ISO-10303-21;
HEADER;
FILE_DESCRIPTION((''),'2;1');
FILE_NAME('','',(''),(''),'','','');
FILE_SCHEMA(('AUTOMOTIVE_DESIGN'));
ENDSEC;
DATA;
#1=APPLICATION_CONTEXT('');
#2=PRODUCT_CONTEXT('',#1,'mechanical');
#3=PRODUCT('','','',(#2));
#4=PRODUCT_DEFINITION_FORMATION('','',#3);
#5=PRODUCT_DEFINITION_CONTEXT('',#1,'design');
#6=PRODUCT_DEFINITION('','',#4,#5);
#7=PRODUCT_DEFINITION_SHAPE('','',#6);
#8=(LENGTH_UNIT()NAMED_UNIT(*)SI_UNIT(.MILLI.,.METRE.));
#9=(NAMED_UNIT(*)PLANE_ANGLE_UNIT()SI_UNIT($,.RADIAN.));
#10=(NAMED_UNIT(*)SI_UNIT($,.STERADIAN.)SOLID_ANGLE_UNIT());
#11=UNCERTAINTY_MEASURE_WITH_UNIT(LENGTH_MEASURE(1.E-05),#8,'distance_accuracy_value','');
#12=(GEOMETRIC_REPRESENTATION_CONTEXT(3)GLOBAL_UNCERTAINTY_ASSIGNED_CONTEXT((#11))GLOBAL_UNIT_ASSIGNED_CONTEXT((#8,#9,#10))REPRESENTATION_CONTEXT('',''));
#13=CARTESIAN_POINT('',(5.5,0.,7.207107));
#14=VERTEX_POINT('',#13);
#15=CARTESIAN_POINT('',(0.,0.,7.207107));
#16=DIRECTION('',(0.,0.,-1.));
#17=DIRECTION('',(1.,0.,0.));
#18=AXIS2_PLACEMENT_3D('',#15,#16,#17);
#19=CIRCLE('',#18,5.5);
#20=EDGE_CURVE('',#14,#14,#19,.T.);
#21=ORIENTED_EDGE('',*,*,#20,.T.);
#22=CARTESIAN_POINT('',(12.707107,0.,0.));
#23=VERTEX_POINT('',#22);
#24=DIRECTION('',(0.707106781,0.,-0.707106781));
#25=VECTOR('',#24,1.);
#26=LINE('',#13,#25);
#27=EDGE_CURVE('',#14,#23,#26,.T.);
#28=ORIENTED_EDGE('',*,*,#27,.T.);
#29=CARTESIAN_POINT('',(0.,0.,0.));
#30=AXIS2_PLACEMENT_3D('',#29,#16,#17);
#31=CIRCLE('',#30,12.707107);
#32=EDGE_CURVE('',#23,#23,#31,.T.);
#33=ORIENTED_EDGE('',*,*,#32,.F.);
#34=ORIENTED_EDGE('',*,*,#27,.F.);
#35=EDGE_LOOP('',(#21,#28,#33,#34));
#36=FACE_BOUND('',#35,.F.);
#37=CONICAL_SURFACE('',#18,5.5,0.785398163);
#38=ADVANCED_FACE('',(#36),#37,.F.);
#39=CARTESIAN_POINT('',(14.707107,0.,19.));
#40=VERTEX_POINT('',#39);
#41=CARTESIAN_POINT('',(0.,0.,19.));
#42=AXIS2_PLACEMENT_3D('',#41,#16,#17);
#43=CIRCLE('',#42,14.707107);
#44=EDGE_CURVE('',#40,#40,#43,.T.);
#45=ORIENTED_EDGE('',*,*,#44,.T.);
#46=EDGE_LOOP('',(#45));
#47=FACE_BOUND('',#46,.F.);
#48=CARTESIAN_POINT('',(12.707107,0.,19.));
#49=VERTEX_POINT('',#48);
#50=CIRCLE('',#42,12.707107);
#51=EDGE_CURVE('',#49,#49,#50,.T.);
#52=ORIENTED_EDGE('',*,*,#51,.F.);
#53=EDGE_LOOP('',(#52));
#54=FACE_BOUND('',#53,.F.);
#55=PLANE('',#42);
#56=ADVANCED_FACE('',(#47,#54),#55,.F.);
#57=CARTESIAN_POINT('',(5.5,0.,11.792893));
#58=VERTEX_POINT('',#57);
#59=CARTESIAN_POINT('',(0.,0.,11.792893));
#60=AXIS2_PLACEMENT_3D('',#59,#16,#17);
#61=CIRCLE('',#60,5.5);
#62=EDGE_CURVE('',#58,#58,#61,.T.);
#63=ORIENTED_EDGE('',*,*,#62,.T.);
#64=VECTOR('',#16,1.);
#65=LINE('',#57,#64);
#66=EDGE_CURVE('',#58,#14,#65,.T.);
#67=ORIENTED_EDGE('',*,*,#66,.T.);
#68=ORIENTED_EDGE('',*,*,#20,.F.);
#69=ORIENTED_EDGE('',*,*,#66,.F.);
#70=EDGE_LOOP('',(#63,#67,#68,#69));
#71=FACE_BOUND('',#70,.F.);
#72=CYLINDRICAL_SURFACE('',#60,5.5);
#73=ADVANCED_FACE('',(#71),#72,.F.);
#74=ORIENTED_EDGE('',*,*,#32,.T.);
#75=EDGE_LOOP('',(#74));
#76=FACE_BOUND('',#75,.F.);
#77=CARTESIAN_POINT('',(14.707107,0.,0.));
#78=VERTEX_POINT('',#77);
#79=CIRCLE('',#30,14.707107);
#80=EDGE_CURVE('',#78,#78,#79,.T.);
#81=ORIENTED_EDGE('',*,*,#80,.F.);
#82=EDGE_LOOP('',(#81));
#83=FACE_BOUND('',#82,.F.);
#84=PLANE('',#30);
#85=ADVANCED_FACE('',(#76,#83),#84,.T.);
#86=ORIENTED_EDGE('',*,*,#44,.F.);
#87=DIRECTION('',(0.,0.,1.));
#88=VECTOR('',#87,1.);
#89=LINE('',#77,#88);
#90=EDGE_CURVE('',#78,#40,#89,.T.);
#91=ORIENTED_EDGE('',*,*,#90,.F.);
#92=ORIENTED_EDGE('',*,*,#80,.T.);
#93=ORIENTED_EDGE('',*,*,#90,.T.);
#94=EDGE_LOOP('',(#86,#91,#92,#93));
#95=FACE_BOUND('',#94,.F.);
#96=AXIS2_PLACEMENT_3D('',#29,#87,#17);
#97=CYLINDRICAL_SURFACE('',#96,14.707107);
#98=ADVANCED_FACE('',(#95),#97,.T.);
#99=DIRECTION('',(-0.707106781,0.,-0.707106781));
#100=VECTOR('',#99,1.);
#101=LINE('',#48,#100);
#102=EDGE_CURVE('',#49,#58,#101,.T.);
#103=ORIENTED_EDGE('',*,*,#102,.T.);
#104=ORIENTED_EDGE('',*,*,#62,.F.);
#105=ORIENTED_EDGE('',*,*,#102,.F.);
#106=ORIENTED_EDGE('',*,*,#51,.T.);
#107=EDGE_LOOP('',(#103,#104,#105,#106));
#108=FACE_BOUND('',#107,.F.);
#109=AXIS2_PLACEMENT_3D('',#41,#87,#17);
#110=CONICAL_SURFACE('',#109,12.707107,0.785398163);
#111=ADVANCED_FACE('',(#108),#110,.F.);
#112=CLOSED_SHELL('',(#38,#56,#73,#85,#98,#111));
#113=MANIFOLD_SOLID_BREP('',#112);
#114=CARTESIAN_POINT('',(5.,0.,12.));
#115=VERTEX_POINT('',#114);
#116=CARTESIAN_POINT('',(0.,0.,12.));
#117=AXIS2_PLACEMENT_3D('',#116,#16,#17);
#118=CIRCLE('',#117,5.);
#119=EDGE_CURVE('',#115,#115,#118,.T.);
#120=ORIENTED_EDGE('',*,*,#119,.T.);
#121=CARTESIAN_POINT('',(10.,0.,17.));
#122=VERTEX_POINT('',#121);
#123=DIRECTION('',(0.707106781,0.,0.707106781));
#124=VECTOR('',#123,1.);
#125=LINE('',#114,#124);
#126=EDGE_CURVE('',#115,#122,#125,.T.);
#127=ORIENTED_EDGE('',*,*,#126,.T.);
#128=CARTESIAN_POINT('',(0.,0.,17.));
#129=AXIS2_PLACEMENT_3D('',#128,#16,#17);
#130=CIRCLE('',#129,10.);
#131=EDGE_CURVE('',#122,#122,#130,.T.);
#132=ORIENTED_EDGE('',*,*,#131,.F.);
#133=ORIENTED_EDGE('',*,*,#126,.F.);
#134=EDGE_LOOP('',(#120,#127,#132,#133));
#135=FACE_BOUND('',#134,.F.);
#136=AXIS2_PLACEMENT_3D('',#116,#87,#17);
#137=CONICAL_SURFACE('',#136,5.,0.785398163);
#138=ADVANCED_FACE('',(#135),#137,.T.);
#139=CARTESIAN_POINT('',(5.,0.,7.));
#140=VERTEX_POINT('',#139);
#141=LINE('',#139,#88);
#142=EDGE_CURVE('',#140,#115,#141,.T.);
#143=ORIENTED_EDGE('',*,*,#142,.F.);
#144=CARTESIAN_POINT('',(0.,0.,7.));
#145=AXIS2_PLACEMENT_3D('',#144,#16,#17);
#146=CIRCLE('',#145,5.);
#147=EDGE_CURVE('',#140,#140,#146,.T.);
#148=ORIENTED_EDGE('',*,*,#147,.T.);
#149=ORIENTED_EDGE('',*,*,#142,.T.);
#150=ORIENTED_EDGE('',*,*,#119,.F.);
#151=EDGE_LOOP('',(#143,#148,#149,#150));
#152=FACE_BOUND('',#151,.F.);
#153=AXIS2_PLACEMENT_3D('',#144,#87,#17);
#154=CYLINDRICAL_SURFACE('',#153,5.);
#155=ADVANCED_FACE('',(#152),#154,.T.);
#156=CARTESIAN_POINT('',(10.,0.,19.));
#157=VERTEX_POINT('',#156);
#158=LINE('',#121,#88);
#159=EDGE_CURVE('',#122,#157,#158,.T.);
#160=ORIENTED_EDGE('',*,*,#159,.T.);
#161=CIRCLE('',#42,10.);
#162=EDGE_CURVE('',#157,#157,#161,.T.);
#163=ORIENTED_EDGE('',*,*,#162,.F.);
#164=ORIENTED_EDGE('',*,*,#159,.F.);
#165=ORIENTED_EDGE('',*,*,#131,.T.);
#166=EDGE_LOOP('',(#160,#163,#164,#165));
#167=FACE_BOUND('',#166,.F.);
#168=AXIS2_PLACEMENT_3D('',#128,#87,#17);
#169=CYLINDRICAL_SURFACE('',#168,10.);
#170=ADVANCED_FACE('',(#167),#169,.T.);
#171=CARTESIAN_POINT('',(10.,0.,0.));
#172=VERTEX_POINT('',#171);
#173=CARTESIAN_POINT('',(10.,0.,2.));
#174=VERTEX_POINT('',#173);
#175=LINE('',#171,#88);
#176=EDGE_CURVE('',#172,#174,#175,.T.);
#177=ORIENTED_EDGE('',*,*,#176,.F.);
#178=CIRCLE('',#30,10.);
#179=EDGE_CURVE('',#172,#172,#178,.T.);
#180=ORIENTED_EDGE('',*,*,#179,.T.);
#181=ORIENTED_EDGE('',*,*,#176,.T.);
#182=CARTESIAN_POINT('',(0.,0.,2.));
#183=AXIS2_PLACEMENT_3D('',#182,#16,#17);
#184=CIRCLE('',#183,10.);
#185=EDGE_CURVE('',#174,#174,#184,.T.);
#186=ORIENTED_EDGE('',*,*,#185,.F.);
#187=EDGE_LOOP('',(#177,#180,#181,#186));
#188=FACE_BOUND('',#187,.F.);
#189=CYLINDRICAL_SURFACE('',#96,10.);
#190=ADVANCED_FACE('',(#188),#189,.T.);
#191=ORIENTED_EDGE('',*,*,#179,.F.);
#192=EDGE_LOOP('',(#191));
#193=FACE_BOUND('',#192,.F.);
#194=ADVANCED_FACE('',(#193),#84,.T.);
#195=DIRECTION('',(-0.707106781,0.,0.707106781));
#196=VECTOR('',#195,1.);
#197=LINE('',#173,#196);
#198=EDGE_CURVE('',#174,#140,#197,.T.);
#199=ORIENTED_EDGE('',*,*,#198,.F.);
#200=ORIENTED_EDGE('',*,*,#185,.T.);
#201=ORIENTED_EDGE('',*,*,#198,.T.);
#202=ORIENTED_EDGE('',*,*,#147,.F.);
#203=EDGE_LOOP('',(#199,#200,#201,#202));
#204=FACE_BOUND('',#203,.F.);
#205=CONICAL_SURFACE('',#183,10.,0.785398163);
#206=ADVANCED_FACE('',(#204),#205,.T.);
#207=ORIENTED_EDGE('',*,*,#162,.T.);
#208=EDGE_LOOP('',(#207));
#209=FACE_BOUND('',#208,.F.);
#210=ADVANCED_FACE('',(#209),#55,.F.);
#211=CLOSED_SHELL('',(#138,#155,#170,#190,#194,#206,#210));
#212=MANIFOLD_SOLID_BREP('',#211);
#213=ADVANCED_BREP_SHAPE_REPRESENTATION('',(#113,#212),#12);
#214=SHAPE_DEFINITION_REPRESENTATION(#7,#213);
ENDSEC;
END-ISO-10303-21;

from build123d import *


with BuildPart() as f1:
    # F0 (on Front) → F1 (revolve)
    with BuildSketch(Plane.XZ):
        Polygon((0, 19), (0, 0), (10, 0), (10, 2), (5, 7), (5, 12), (10, 17), (10, 19), align=None)
        Polygon((5.5, 7.207107), (12.707107, 0), (14.707107, 0), (14.707107, 19), (12.707107, 19), (5.5, 11.792893), align=None)
    revolve(axis=Axis((0, 0, 9.5), (0, 0, -1)))


solid = f1.part
